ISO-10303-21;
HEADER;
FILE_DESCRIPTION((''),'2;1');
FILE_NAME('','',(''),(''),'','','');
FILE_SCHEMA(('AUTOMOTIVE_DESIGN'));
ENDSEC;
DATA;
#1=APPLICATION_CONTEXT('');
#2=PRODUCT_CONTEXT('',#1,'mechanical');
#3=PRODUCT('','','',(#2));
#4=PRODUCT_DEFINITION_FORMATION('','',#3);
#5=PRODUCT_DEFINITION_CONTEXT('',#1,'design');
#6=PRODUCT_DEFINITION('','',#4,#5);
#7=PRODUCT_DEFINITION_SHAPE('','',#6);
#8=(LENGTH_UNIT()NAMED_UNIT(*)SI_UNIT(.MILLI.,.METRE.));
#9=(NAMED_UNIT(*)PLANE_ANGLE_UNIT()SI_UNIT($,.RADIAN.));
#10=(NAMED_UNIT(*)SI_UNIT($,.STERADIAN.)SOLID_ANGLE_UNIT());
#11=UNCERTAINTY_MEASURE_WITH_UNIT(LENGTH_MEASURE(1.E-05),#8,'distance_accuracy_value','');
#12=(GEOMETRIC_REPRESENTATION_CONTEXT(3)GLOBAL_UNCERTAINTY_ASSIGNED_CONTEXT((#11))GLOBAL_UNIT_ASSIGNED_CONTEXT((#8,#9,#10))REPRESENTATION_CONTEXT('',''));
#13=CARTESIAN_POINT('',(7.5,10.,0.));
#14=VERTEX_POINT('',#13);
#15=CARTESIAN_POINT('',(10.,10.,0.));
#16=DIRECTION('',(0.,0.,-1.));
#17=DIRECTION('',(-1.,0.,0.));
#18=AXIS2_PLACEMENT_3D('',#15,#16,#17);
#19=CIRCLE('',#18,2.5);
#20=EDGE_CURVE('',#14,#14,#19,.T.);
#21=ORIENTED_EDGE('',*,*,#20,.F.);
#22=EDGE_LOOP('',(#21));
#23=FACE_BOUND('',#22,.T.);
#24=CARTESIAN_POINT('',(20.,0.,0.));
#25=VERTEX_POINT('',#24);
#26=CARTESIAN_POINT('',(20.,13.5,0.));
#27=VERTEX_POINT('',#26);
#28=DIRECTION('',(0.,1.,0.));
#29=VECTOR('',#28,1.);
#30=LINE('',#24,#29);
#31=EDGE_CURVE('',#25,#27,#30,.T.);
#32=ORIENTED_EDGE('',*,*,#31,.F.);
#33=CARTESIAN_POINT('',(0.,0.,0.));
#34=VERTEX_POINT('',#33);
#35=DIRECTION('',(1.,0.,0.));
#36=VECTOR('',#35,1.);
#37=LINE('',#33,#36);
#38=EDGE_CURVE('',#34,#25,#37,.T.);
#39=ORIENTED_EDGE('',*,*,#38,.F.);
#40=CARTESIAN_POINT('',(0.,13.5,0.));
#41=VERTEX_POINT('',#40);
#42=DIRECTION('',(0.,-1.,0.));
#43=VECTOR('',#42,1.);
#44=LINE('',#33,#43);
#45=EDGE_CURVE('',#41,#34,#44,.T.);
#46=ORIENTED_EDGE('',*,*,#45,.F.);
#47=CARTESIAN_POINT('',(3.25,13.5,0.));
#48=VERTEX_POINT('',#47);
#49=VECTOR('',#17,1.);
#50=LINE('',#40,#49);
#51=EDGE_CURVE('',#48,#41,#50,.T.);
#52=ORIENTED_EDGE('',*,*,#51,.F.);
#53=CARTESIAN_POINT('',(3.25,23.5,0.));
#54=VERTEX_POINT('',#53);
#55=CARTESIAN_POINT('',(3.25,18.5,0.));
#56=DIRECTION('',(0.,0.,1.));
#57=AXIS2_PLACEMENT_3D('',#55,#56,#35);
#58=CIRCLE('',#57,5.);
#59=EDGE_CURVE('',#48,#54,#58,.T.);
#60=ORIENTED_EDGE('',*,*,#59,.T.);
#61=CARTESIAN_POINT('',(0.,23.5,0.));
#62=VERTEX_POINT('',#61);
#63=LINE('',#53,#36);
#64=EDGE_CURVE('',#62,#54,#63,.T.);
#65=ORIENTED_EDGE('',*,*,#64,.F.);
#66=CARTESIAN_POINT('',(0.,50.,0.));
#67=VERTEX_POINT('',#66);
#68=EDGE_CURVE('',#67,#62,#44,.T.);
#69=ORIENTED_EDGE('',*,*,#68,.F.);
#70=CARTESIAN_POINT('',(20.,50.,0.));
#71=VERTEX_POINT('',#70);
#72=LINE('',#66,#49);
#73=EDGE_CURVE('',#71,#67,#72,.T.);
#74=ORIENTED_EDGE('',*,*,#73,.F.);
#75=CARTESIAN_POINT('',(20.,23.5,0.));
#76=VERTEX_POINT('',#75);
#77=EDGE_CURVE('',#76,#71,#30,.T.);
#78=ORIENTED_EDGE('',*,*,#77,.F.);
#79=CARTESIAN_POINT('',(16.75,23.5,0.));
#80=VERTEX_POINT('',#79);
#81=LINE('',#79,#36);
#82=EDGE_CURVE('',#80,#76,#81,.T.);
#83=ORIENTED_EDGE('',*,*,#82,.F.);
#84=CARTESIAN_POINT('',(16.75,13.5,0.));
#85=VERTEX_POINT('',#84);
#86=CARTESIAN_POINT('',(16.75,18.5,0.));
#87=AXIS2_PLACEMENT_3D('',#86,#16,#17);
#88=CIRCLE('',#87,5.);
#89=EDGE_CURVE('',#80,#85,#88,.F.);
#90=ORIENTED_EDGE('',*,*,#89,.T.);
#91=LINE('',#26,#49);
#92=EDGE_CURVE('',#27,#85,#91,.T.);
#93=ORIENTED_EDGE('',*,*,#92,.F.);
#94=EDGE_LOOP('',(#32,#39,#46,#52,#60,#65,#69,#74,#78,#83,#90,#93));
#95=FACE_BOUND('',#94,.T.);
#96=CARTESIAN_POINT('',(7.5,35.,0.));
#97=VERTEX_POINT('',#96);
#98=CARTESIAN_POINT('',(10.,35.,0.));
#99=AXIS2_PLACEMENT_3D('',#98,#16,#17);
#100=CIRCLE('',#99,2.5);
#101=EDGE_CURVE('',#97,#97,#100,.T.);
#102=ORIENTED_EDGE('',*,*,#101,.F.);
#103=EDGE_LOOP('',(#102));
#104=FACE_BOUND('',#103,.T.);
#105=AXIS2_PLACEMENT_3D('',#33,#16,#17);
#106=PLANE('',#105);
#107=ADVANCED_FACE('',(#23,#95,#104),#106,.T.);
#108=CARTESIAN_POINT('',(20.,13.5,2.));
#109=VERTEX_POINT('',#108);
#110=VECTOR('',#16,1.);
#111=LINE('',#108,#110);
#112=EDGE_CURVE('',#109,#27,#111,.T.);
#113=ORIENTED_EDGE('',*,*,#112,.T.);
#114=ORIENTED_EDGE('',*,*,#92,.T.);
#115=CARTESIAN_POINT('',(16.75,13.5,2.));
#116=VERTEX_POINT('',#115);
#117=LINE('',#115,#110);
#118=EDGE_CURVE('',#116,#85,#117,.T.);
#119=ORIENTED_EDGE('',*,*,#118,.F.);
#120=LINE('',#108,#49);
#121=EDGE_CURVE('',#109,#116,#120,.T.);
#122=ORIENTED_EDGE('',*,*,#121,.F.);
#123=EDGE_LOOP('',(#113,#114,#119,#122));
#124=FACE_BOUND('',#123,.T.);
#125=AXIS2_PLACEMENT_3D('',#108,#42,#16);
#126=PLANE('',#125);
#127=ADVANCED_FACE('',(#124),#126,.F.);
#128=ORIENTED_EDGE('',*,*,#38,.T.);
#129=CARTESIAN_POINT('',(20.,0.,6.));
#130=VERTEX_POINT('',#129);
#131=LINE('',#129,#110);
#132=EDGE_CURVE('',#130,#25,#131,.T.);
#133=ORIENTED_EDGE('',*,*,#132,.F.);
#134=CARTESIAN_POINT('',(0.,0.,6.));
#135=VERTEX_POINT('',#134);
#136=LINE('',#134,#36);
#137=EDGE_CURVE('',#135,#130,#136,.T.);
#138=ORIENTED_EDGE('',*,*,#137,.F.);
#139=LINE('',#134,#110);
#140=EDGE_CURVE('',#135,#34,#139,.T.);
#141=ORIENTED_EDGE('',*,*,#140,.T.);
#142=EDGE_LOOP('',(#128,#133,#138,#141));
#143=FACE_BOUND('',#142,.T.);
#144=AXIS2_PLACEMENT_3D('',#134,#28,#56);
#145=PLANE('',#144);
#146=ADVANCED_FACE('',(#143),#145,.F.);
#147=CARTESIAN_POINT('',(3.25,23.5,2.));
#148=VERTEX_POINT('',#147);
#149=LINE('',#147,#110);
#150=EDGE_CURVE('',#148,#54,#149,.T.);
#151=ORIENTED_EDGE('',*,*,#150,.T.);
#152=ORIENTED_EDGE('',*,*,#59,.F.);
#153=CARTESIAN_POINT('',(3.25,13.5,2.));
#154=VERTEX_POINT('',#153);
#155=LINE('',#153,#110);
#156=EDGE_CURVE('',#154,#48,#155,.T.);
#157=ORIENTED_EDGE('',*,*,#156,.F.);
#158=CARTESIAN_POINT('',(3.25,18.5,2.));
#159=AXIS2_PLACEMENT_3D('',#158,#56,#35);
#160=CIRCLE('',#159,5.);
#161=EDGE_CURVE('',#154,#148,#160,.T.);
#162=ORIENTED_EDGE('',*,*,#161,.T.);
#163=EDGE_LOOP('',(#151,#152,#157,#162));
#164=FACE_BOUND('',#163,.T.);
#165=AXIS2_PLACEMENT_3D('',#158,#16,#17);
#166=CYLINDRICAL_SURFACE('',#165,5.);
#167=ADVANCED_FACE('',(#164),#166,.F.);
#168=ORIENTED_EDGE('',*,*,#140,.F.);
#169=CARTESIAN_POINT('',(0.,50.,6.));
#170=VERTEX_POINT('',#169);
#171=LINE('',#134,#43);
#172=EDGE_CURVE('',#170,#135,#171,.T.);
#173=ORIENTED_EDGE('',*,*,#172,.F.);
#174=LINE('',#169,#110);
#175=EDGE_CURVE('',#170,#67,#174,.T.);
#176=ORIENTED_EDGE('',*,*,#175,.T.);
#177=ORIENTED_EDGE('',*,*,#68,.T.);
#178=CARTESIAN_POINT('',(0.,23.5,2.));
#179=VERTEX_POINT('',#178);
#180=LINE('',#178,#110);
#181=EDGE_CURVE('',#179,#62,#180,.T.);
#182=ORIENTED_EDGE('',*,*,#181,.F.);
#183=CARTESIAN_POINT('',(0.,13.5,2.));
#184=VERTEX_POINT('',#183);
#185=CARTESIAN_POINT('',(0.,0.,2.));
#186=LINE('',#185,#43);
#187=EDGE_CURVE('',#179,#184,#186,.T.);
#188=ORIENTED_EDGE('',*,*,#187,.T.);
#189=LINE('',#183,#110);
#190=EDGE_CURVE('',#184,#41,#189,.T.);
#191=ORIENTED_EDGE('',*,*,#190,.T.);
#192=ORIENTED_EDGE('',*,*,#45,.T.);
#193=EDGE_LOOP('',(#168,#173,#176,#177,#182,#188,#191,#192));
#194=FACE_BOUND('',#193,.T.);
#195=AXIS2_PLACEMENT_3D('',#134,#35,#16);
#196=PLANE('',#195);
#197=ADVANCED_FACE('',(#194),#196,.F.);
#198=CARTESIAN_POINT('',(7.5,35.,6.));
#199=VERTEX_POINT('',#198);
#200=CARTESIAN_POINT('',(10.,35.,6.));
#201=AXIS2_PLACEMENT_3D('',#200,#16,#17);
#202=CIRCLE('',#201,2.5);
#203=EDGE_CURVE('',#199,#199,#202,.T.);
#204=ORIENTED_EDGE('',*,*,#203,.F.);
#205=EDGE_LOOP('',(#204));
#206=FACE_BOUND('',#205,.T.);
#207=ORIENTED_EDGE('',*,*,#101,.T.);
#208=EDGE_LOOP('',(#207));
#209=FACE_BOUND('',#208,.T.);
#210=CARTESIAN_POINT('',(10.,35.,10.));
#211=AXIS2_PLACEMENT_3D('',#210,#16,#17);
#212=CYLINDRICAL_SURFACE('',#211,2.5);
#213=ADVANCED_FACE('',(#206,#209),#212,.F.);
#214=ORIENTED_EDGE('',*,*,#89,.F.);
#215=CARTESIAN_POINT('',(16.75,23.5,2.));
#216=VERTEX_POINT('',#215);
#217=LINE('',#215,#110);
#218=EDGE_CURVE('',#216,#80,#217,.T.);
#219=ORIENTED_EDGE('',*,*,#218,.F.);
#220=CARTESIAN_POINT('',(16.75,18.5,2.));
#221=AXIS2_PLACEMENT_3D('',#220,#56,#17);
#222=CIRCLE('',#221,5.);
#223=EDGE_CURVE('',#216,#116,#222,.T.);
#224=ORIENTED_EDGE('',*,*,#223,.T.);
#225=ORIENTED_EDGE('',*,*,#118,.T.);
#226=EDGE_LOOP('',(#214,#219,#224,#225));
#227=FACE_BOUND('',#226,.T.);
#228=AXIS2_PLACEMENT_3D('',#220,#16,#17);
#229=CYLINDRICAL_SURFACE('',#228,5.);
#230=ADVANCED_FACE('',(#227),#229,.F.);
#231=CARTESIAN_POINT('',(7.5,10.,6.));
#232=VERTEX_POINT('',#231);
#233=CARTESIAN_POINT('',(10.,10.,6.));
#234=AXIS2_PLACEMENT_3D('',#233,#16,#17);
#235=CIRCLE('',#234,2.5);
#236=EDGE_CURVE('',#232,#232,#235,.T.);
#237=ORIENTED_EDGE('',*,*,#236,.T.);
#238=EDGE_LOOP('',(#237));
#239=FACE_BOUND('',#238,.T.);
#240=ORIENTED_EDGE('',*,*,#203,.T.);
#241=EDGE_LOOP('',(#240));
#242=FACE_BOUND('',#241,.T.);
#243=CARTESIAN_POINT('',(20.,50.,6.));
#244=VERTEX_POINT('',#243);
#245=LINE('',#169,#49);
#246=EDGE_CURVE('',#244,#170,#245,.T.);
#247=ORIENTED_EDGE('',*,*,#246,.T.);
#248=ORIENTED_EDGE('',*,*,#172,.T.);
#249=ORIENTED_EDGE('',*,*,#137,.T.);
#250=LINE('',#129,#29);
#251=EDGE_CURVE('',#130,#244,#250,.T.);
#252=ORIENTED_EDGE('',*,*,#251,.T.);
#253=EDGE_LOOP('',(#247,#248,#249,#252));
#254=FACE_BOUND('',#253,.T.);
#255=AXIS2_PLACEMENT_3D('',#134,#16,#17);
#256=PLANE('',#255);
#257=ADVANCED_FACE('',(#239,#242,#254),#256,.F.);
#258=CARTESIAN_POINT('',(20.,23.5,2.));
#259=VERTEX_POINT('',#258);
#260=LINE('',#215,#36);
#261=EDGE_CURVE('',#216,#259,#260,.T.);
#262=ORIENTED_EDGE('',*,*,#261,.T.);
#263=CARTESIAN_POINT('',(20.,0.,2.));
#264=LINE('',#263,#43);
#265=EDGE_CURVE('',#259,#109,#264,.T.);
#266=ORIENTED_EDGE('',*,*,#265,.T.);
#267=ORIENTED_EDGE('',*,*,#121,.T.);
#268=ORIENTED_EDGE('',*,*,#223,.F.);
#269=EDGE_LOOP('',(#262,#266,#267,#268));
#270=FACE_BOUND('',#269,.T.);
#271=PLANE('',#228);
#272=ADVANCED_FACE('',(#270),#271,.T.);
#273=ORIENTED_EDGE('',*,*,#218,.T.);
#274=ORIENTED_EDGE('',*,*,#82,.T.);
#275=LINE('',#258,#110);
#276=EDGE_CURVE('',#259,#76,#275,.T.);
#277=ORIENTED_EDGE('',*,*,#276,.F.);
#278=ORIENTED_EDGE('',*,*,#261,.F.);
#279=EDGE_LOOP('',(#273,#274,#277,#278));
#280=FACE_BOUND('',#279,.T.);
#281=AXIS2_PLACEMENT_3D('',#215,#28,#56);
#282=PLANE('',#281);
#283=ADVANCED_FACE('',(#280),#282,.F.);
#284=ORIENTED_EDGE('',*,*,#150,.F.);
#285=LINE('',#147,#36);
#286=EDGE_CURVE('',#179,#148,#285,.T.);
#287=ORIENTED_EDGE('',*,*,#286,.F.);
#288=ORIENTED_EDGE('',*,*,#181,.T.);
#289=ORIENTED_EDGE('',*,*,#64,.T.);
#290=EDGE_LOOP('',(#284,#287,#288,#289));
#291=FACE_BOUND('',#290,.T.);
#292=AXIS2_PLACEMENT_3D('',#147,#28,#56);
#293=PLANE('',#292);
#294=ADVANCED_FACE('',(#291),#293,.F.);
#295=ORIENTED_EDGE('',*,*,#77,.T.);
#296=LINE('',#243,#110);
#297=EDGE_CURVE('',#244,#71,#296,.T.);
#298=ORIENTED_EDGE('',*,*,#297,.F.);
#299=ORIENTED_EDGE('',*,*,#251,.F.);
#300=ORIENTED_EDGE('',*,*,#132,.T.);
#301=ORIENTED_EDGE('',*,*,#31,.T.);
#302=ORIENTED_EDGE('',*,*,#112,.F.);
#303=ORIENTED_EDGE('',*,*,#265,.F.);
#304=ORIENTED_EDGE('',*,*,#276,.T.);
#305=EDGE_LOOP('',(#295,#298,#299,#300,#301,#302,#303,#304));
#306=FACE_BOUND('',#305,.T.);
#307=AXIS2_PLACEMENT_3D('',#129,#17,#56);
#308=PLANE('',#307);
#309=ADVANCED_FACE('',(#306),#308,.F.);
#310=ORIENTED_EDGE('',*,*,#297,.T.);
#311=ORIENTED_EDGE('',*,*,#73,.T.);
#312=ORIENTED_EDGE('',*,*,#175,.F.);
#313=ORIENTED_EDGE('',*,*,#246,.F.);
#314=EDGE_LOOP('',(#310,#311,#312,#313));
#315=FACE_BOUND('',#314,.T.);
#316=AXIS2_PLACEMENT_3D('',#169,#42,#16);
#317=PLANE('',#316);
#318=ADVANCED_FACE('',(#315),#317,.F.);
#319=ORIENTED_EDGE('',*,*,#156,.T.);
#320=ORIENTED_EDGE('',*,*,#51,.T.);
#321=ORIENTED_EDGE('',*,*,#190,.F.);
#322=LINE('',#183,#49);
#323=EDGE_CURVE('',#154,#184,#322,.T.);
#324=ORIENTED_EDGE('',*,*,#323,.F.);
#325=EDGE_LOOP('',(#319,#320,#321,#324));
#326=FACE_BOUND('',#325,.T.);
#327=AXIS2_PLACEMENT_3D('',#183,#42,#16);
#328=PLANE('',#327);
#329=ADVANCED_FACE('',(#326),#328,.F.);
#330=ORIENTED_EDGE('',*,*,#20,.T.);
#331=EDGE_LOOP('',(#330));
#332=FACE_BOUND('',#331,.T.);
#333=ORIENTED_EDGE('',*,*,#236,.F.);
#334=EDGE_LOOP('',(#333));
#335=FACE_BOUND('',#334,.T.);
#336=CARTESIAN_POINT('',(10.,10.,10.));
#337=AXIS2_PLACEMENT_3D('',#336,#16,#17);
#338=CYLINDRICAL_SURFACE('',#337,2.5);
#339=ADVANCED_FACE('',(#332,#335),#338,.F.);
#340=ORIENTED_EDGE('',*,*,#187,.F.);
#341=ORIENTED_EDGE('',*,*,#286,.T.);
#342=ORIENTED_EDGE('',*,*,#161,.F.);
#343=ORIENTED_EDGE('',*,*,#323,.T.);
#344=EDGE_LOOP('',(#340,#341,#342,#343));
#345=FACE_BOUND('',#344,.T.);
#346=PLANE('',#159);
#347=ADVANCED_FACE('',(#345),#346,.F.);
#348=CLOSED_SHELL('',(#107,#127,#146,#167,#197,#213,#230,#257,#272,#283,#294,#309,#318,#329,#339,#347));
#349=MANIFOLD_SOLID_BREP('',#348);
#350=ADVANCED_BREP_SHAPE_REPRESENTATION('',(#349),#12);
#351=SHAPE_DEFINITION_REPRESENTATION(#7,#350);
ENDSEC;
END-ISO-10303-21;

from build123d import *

# Parameters (mm, degrees)
ESBO_O1_W                = 20
ESBO_O1_H                = 50
RESSALTO_EXTRUS_O1_DEPTH = 6
ESBO_O2_R                = 2.5
CORTE_EXTRUS_O1_DEPTH    = 10
ESBO_O3_R                = 5
CORTE_EXTRUS_O2_DEPTH    = 2
ESBO_O4_W                = 3.25
ESBO_O4_H                = 10
CORTE_EXTRUS_O3_DEPTH    = 2
ESBO_O5_R                = 2.5
RESSALTO_EXTRUS_O2_DEPTH = 4


with BuildPart() as part:
    # Esboço1 → Ressalto-extrusão1 (new body)
    with BuildSketch(Plane.XY):
        with Locations((10, 25)):
            Rectangle(ESBO_O1_W, ESBO_O1_H)
    extrude(amount=RESSALTO_EXTRUS_O1_DEPTH)

    # Esboço2 → Corte-extrusão1 (cut)
    with BuildSketch(Plane(origin=(0, 0, 0), x_dir=(-1, 0, 0), z_dir=(0, 0, -1))):
        with Locations((-10, 35)):
            Circle(ESBO_O2_R)
        with Locations((-3.25, 18.5)):
            Circle(ESBO_O2_R)
        with Locations((-10, 10)):
            Circle(ESBO_O2_R)
    extrude(amount=-CORTE_EXTRUS_O1_DEPTH, mode=Mode.SUBTRACT)

    # Esboço3 → Corte-extrusão2 (cut)
    with BuildSketch(Plane.XY):
        with Locations((3.25, 18.5)):
            Circle(ESBO_O3_R)
        with Locations((16.75, 18.5)):
            Circle(ESBO_O3_R)
    extrude(amount=CORTE_EXTRUS_O2_DEPTH, mode=Mode.SUBTRACT)

    # Esboço4 → Corte-extrusão3 (cut)
    with BuildSketch(Plane(origin=(0, 0, 0), x_dir=(-1, 0, 0), z_dir=(0, 0, -1))):
        with Locations((-1.625, 18.5)):
            Rectangle(ESBO_O4_W, ESBO_O4_H)
        with Locations((-18.375, 18.5)):
            Rectangle(ESBO_O4_W, ESBO_O4_H)
    extrude(amount=-CORTE_EXTRUS_O3_DEPTH, mode=Mode.SUBTRACT)

    # Esboço5 → Ressalto-extrusão2 (add)
    with BuildSketch(Plane.XY.offset(6)):
        with Locations((3.25, 18.5)):
            Circle(ESBO_O5_R)
    extrude(amount=-RESSALTO_EXTRUS_O2_DEPTH)


solid = part.part
